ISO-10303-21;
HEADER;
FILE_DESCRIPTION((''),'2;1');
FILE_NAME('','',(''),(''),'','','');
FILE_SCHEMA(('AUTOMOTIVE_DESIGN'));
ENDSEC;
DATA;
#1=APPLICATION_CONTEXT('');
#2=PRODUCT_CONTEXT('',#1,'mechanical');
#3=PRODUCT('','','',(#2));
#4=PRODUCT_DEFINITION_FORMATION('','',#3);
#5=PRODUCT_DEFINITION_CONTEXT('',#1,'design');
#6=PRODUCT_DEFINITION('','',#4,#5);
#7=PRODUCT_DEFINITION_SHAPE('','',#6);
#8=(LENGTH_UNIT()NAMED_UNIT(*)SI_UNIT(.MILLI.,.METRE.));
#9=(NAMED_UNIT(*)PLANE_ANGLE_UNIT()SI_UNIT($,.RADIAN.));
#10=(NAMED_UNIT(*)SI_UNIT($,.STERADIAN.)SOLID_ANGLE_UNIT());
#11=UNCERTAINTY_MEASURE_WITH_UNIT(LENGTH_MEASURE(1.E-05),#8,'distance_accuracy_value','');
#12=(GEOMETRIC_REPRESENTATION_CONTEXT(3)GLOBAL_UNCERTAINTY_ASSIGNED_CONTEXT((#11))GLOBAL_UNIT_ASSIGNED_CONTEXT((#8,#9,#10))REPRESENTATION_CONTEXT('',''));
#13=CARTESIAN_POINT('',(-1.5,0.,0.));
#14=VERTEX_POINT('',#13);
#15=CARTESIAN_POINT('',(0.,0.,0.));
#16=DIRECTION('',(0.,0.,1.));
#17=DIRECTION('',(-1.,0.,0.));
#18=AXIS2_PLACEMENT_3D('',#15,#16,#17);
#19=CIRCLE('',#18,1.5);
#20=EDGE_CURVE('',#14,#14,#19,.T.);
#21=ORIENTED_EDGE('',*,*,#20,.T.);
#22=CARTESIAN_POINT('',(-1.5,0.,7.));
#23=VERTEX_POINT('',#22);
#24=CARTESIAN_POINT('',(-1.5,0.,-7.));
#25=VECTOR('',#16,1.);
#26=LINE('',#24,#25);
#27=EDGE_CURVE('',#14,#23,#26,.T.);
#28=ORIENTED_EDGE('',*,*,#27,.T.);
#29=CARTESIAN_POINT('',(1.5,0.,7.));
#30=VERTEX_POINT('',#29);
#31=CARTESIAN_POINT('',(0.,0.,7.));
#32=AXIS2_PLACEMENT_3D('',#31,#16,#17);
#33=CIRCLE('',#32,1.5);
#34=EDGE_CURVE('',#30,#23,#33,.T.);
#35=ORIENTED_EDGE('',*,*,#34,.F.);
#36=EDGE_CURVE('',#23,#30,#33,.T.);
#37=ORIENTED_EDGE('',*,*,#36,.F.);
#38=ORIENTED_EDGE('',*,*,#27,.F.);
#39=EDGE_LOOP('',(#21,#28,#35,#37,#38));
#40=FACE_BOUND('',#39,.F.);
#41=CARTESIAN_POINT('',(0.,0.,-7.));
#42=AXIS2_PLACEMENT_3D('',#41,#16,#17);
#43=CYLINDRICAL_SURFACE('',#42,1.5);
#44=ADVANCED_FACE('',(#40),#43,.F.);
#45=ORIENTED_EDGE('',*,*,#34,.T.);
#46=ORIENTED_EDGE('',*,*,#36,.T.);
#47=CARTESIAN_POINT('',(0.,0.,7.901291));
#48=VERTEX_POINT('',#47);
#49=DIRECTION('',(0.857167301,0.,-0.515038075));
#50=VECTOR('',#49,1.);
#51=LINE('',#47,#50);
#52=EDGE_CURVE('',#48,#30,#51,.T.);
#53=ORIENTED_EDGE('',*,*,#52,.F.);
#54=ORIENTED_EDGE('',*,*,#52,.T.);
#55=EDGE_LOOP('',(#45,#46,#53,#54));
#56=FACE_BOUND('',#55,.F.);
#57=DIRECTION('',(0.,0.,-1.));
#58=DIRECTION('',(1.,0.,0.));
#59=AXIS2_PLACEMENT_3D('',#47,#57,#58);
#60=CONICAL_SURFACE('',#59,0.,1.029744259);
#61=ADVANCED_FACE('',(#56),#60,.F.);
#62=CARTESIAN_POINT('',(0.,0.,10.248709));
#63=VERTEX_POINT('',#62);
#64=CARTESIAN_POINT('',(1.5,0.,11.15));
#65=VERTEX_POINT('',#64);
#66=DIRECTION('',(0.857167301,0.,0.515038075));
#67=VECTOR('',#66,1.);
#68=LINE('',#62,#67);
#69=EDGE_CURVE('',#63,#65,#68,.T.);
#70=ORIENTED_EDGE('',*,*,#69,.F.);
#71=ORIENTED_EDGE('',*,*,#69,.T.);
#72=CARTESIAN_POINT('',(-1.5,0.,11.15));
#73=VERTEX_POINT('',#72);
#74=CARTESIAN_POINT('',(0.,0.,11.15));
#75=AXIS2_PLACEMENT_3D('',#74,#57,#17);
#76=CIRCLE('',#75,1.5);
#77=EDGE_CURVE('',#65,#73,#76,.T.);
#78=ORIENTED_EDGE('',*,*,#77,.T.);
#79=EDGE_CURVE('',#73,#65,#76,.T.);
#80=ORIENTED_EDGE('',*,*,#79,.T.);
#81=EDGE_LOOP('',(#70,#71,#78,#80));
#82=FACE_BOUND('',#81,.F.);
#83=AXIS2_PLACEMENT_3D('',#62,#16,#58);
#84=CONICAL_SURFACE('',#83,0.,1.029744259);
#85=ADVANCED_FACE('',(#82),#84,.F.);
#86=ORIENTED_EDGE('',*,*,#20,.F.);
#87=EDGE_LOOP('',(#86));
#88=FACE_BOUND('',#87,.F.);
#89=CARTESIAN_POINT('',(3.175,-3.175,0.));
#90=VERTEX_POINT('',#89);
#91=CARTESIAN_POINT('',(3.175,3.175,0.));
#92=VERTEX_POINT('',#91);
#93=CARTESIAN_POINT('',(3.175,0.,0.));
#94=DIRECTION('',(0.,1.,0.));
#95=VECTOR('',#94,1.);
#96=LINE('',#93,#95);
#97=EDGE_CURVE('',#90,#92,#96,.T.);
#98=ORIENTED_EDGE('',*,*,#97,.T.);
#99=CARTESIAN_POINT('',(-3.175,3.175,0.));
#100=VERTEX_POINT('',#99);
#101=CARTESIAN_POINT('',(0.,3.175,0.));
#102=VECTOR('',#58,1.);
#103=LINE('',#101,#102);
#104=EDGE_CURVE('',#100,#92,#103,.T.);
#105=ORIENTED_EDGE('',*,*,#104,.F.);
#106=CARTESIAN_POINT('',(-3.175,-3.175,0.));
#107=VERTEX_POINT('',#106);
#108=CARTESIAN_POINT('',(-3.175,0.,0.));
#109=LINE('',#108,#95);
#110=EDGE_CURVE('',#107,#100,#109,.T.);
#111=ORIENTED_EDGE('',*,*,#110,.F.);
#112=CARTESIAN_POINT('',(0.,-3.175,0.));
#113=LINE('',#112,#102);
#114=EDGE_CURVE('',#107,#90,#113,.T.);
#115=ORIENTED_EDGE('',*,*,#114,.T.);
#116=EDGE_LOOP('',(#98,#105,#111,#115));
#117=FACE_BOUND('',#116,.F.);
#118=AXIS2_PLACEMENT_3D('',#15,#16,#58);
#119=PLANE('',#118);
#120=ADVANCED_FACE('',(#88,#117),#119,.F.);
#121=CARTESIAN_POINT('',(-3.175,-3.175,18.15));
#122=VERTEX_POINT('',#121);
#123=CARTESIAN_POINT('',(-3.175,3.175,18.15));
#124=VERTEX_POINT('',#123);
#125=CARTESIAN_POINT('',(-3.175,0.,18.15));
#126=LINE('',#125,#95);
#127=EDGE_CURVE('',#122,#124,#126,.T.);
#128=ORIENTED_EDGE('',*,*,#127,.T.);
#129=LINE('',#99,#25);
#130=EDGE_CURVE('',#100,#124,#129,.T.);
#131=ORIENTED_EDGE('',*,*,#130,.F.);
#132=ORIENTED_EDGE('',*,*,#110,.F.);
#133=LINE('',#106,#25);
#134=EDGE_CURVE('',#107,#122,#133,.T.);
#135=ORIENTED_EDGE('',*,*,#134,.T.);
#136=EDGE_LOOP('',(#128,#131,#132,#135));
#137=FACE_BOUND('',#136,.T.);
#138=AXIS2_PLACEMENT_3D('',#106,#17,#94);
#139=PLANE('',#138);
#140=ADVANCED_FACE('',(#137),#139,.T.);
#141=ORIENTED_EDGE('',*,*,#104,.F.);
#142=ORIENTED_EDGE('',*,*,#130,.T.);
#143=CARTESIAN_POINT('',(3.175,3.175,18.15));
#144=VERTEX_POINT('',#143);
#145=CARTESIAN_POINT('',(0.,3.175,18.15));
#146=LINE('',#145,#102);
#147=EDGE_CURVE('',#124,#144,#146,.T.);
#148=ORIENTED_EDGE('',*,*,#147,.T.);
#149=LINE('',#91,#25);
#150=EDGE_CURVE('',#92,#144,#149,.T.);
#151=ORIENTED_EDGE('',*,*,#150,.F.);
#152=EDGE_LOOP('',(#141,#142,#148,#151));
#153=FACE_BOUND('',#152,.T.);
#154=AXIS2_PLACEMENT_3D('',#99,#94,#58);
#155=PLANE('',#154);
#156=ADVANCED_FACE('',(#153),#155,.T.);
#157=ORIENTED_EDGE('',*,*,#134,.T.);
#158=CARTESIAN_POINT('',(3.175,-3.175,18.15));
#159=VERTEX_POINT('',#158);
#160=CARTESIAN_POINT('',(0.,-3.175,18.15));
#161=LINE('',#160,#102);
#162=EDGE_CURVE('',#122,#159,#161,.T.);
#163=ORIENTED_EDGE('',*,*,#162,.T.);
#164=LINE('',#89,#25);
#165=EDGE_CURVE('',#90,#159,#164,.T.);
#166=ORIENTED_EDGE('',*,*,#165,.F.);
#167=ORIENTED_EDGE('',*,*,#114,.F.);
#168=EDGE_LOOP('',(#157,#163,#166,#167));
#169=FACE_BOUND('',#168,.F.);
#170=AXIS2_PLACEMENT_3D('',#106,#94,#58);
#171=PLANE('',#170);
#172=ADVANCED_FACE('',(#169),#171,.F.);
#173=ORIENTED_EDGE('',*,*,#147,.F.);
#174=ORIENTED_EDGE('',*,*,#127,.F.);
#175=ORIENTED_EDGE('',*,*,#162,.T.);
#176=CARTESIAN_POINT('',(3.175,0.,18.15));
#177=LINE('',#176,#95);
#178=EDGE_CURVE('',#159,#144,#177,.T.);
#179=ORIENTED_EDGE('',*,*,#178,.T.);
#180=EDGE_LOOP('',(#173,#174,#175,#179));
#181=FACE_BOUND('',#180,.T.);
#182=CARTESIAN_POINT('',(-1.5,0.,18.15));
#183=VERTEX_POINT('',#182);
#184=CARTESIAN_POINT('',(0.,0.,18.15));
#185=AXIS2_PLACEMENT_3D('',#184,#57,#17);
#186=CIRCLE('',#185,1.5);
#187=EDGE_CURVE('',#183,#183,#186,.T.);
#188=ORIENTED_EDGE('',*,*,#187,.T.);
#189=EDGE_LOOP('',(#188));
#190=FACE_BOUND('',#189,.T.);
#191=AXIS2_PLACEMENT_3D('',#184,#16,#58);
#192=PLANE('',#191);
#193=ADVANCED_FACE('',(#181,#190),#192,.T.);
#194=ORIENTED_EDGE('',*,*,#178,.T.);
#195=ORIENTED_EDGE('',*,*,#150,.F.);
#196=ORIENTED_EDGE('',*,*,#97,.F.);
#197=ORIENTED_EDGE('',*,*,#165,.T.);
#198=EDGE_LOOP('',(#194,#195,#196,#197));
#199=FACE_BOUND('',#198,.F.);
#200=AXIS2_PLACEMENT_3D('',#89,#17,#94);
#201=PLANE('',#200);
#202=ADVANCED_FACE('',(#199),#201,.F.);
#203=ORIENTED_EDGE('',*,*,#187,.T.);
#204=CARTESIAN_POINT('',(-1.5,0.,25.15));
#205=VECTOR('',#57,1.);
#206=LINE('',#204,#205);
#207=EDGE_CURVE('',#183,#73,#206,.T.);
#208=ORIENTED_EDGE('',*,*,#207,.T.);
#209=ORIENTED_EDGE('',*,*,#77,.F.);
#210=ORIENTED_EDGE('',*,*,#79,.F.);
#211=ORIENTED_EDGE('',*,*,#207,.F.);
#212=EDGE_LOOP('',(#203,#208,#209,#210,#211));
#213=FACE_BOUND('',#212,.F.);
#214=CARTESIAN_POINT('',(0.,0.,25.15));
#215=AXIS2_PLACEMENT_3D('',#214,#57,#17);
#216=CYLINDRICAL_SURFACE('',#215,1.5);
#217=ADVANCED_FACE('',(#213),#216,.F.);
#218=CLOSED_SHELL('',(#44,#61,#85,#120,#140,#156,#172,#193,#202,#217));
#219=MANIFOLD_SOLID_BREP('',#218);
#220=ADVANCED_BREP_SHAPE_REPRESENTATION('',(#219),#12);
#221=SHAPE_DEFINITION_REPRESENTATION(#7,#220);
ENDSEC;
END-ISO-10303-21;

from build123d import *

# Parameters (mm, degrees)
F0_W     = 6.35
F0_H     = 6.35
F1_DEPTH = 18.15
F2_D     = 3
F2_DEPTH = 7
F2_TIP   = 0.9012909285
F4_D     = 3
F4_DEPTH = 7
F4_TIP   = 0.9012909285


with BuildPart() as f1:
    # F0 (on Top) → F1 (new body)
    with BuildSketch(Plane.XY):
        Rectangle(F0_W, F0_H)
    extrude(amount=F1_DEPTH)

    # F2
    with Locations(Plane(origin=(0, 0, 0), x_dir=(1, 0, 0), z_dir=(0, 0, -1))):
        with Locations((0, 0)):
            Hole(F2_D / 2, depth=F2_DEPTH)
            with Locations((0, 0, -(F2_DEPTH + F2_TIP / 2))):  # 118° drill point
                Cone(0, F2_D / 2, F2_TIP, mode=Mode.SUBTRACT)

    # F4
    with Locations(Plane.XY.offset(18.15)):
        with Locations((0, 0)):
            Hole(F4_D / 2, depth=F4_DEPTH)
            with Locations((0, 0, -(F4_DEPTH + F4_TIP / 2))):  # 118° drill point
                Cone(0, F4_D / 2, F4_TIP, mode=Mode.SUBTRACT)


solid = f1.part
